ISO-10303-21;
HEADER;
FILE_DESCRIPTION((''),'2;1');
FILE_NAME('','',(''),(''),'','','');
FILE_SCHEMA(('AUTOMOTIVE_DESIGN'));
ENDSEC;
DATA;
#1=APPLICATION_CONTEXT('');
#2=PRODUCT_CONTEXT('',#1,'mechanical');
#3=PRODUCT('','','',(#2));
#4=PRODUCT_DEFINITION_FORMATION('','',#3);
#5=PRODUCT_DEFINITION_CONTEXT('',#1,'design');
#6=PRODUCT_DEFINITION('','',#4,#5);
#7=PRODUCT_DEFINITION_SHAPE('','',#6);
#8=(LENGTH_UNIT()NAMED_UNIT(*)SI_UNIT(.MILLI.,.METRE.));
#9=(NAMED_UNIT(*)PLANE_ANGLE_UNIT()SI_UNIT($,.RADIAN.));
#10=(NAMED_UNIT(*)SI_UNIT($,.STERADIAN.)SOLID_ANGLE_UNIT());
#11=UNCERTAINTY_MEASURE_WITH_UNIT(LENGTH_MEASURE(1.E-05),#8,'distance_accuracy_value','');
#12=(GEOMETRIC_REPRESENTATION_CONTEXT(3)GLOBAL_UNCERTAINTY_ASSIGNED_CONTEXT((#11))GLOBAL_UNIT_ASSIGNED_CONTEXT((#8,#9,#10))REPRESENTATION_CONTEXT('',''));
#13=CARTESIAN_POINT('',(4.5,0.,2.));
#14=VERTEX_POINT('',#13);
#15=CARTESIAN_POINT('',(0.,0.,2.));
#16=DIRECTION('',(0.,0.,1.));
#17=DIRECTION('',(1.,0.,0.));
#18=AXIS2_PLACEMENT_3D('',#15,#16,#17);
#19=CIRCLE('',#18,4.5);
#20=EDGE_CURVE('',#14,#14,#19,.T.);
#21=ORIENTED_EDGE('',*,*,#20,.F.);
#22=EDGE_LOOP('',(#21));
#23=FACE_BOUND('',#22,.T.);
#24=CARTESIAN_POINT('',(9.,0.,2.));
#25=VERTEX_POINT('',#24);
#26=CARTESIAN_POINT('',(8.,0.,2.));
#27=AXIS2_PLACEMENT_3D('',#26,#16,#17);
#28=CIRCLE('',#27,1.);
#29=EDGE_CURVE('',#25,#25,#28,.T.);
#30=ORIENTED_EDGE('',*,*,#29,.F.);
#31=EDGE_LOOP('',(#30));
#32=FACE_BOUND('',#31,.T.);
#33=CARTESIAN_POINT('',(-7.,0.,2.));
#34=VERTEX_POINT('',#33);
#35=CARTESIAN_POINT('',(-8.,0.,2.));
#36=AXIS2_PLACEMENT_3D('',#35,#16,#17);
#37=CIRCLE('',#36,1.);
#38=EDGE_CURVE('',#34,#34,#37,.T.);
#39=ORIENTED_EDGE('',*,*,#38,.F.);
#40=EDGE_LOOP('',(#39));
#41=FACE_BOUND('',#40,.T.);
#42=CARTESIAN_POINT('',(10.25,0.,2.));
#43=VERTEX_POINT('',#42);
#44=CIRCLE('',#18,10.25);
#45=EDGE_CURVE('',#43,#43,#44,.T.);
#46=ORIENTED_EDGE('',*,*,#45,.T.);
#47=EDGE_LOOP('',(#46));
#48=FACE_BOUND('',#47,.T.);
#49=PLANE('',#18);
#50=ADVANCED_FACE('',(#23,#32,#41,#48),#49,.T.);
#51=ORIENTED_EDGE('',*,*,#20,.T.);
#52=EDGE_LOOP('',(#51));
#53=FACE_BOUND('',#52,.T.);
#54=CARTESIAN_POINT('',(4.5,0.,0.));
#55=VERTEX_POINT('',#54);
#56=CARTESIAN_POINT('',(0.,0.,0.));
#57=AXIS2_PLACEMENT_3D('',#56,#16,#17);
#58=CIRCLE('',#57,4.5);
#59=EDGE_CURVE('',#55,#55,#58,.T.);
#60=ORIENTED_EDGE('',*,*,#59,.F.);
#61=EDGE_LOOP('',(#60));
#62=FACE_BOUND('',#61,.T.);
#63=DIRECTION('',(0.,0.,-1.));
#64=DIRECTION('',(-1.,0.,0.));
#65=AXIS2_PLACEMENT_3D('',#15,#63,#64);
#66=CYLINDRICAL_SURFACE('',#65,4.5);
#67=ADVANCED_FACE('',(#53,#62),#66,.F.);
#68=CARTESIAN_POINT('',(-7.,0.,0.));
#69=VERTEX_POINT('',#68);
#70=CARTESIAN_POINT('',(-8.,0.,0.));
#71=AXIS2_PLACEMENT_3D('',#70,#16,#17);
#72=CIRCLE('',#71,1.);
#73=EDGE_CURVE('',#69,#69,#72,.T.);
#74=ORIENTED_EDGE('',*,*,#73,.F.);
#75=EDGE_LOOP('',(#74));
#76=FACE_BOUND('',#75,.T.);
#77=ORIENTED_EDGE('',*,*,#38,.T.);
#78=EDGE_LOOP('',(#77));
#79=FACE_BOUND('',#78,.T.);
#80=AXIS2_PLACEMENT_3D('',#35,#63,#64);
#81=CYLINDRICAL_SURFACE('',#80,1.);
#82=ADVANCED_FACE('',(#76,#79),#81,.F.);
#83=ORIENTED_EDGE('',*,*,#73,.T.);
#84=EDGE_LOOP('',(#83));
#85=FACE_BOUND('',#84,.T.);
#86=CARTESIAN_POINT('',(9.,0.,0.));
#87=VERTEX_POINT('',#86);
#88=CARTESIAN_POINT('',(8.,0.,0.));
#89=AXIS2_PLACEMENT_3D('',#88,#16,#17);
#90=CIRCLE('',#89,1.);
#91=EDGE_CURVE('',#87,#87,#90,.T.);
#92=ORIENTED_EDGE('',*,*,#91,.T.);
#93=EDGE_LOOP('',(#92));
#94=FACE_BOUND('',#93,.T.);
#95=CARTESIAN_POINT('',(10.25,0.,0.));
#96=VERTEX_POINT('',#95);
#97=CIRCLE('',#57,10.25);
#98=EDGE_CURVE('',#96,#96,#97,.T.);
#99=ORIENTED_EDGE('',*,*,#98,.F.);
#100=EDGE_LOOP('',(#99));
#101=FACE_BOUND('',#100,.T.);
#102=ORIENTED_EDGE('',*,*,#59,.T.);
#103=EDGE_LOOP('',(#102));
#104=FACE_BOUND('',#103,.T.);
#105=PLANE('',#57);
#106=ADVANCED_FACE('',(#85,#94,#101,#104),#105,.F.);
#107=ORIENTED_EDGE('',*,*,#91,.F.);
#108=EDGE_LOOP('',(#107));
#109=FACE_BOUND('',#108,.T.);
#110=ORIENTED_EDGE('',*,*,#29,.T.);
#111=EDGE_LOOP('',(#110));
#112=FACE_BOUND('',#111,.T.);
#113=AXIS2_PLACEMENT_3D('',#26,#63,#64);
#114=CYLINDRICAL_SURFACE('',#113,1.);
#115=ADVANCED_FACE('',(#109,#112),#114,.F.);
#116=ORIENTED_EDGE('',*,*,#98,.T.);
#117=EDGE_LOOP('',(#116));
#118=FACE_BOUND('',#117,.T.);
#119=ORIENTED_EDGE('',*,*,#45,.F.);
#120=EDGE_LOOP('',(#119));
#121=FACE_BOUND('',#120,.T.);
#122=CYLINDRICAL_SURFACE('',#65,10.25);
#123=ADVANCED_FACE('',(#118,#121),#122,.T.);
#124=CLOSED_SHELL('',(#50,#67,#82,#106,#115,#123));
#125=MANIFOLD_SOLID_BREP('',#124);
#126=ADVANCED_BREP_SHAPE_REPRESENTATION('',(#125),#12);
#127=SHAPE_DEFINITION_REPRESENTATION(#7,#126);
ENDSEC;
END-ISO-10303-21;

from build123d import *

# Parameters (mm, degrees)
SKETCH_1_R      = 10.25
SKETCH_1_R_2    = 4.5
SKETCH_1_R_3    = 1
EXTRUDE_1_DEPTH = 2


with BuildPart() as part:
    # 草图1 → 凸台-拉伸1 (new body)
    with BuildSketch(Plane.XY):
        Circle(SKETCH_1_R)
        Circle(SKETCH_1_R_2, mode=Mode.SUBTRACT)
        with Locations((-8, 0)):
            Circle(SKETCH_1_R_3, mode=Mode.SUBTRACT)
        with Locations((8, 0)):
            Circle(SKETCH_1_R_3, mode=Mode.SUBTRACT)
    extrude(amount=EXTRUDE_1_DEPTH)


solid = part.part
